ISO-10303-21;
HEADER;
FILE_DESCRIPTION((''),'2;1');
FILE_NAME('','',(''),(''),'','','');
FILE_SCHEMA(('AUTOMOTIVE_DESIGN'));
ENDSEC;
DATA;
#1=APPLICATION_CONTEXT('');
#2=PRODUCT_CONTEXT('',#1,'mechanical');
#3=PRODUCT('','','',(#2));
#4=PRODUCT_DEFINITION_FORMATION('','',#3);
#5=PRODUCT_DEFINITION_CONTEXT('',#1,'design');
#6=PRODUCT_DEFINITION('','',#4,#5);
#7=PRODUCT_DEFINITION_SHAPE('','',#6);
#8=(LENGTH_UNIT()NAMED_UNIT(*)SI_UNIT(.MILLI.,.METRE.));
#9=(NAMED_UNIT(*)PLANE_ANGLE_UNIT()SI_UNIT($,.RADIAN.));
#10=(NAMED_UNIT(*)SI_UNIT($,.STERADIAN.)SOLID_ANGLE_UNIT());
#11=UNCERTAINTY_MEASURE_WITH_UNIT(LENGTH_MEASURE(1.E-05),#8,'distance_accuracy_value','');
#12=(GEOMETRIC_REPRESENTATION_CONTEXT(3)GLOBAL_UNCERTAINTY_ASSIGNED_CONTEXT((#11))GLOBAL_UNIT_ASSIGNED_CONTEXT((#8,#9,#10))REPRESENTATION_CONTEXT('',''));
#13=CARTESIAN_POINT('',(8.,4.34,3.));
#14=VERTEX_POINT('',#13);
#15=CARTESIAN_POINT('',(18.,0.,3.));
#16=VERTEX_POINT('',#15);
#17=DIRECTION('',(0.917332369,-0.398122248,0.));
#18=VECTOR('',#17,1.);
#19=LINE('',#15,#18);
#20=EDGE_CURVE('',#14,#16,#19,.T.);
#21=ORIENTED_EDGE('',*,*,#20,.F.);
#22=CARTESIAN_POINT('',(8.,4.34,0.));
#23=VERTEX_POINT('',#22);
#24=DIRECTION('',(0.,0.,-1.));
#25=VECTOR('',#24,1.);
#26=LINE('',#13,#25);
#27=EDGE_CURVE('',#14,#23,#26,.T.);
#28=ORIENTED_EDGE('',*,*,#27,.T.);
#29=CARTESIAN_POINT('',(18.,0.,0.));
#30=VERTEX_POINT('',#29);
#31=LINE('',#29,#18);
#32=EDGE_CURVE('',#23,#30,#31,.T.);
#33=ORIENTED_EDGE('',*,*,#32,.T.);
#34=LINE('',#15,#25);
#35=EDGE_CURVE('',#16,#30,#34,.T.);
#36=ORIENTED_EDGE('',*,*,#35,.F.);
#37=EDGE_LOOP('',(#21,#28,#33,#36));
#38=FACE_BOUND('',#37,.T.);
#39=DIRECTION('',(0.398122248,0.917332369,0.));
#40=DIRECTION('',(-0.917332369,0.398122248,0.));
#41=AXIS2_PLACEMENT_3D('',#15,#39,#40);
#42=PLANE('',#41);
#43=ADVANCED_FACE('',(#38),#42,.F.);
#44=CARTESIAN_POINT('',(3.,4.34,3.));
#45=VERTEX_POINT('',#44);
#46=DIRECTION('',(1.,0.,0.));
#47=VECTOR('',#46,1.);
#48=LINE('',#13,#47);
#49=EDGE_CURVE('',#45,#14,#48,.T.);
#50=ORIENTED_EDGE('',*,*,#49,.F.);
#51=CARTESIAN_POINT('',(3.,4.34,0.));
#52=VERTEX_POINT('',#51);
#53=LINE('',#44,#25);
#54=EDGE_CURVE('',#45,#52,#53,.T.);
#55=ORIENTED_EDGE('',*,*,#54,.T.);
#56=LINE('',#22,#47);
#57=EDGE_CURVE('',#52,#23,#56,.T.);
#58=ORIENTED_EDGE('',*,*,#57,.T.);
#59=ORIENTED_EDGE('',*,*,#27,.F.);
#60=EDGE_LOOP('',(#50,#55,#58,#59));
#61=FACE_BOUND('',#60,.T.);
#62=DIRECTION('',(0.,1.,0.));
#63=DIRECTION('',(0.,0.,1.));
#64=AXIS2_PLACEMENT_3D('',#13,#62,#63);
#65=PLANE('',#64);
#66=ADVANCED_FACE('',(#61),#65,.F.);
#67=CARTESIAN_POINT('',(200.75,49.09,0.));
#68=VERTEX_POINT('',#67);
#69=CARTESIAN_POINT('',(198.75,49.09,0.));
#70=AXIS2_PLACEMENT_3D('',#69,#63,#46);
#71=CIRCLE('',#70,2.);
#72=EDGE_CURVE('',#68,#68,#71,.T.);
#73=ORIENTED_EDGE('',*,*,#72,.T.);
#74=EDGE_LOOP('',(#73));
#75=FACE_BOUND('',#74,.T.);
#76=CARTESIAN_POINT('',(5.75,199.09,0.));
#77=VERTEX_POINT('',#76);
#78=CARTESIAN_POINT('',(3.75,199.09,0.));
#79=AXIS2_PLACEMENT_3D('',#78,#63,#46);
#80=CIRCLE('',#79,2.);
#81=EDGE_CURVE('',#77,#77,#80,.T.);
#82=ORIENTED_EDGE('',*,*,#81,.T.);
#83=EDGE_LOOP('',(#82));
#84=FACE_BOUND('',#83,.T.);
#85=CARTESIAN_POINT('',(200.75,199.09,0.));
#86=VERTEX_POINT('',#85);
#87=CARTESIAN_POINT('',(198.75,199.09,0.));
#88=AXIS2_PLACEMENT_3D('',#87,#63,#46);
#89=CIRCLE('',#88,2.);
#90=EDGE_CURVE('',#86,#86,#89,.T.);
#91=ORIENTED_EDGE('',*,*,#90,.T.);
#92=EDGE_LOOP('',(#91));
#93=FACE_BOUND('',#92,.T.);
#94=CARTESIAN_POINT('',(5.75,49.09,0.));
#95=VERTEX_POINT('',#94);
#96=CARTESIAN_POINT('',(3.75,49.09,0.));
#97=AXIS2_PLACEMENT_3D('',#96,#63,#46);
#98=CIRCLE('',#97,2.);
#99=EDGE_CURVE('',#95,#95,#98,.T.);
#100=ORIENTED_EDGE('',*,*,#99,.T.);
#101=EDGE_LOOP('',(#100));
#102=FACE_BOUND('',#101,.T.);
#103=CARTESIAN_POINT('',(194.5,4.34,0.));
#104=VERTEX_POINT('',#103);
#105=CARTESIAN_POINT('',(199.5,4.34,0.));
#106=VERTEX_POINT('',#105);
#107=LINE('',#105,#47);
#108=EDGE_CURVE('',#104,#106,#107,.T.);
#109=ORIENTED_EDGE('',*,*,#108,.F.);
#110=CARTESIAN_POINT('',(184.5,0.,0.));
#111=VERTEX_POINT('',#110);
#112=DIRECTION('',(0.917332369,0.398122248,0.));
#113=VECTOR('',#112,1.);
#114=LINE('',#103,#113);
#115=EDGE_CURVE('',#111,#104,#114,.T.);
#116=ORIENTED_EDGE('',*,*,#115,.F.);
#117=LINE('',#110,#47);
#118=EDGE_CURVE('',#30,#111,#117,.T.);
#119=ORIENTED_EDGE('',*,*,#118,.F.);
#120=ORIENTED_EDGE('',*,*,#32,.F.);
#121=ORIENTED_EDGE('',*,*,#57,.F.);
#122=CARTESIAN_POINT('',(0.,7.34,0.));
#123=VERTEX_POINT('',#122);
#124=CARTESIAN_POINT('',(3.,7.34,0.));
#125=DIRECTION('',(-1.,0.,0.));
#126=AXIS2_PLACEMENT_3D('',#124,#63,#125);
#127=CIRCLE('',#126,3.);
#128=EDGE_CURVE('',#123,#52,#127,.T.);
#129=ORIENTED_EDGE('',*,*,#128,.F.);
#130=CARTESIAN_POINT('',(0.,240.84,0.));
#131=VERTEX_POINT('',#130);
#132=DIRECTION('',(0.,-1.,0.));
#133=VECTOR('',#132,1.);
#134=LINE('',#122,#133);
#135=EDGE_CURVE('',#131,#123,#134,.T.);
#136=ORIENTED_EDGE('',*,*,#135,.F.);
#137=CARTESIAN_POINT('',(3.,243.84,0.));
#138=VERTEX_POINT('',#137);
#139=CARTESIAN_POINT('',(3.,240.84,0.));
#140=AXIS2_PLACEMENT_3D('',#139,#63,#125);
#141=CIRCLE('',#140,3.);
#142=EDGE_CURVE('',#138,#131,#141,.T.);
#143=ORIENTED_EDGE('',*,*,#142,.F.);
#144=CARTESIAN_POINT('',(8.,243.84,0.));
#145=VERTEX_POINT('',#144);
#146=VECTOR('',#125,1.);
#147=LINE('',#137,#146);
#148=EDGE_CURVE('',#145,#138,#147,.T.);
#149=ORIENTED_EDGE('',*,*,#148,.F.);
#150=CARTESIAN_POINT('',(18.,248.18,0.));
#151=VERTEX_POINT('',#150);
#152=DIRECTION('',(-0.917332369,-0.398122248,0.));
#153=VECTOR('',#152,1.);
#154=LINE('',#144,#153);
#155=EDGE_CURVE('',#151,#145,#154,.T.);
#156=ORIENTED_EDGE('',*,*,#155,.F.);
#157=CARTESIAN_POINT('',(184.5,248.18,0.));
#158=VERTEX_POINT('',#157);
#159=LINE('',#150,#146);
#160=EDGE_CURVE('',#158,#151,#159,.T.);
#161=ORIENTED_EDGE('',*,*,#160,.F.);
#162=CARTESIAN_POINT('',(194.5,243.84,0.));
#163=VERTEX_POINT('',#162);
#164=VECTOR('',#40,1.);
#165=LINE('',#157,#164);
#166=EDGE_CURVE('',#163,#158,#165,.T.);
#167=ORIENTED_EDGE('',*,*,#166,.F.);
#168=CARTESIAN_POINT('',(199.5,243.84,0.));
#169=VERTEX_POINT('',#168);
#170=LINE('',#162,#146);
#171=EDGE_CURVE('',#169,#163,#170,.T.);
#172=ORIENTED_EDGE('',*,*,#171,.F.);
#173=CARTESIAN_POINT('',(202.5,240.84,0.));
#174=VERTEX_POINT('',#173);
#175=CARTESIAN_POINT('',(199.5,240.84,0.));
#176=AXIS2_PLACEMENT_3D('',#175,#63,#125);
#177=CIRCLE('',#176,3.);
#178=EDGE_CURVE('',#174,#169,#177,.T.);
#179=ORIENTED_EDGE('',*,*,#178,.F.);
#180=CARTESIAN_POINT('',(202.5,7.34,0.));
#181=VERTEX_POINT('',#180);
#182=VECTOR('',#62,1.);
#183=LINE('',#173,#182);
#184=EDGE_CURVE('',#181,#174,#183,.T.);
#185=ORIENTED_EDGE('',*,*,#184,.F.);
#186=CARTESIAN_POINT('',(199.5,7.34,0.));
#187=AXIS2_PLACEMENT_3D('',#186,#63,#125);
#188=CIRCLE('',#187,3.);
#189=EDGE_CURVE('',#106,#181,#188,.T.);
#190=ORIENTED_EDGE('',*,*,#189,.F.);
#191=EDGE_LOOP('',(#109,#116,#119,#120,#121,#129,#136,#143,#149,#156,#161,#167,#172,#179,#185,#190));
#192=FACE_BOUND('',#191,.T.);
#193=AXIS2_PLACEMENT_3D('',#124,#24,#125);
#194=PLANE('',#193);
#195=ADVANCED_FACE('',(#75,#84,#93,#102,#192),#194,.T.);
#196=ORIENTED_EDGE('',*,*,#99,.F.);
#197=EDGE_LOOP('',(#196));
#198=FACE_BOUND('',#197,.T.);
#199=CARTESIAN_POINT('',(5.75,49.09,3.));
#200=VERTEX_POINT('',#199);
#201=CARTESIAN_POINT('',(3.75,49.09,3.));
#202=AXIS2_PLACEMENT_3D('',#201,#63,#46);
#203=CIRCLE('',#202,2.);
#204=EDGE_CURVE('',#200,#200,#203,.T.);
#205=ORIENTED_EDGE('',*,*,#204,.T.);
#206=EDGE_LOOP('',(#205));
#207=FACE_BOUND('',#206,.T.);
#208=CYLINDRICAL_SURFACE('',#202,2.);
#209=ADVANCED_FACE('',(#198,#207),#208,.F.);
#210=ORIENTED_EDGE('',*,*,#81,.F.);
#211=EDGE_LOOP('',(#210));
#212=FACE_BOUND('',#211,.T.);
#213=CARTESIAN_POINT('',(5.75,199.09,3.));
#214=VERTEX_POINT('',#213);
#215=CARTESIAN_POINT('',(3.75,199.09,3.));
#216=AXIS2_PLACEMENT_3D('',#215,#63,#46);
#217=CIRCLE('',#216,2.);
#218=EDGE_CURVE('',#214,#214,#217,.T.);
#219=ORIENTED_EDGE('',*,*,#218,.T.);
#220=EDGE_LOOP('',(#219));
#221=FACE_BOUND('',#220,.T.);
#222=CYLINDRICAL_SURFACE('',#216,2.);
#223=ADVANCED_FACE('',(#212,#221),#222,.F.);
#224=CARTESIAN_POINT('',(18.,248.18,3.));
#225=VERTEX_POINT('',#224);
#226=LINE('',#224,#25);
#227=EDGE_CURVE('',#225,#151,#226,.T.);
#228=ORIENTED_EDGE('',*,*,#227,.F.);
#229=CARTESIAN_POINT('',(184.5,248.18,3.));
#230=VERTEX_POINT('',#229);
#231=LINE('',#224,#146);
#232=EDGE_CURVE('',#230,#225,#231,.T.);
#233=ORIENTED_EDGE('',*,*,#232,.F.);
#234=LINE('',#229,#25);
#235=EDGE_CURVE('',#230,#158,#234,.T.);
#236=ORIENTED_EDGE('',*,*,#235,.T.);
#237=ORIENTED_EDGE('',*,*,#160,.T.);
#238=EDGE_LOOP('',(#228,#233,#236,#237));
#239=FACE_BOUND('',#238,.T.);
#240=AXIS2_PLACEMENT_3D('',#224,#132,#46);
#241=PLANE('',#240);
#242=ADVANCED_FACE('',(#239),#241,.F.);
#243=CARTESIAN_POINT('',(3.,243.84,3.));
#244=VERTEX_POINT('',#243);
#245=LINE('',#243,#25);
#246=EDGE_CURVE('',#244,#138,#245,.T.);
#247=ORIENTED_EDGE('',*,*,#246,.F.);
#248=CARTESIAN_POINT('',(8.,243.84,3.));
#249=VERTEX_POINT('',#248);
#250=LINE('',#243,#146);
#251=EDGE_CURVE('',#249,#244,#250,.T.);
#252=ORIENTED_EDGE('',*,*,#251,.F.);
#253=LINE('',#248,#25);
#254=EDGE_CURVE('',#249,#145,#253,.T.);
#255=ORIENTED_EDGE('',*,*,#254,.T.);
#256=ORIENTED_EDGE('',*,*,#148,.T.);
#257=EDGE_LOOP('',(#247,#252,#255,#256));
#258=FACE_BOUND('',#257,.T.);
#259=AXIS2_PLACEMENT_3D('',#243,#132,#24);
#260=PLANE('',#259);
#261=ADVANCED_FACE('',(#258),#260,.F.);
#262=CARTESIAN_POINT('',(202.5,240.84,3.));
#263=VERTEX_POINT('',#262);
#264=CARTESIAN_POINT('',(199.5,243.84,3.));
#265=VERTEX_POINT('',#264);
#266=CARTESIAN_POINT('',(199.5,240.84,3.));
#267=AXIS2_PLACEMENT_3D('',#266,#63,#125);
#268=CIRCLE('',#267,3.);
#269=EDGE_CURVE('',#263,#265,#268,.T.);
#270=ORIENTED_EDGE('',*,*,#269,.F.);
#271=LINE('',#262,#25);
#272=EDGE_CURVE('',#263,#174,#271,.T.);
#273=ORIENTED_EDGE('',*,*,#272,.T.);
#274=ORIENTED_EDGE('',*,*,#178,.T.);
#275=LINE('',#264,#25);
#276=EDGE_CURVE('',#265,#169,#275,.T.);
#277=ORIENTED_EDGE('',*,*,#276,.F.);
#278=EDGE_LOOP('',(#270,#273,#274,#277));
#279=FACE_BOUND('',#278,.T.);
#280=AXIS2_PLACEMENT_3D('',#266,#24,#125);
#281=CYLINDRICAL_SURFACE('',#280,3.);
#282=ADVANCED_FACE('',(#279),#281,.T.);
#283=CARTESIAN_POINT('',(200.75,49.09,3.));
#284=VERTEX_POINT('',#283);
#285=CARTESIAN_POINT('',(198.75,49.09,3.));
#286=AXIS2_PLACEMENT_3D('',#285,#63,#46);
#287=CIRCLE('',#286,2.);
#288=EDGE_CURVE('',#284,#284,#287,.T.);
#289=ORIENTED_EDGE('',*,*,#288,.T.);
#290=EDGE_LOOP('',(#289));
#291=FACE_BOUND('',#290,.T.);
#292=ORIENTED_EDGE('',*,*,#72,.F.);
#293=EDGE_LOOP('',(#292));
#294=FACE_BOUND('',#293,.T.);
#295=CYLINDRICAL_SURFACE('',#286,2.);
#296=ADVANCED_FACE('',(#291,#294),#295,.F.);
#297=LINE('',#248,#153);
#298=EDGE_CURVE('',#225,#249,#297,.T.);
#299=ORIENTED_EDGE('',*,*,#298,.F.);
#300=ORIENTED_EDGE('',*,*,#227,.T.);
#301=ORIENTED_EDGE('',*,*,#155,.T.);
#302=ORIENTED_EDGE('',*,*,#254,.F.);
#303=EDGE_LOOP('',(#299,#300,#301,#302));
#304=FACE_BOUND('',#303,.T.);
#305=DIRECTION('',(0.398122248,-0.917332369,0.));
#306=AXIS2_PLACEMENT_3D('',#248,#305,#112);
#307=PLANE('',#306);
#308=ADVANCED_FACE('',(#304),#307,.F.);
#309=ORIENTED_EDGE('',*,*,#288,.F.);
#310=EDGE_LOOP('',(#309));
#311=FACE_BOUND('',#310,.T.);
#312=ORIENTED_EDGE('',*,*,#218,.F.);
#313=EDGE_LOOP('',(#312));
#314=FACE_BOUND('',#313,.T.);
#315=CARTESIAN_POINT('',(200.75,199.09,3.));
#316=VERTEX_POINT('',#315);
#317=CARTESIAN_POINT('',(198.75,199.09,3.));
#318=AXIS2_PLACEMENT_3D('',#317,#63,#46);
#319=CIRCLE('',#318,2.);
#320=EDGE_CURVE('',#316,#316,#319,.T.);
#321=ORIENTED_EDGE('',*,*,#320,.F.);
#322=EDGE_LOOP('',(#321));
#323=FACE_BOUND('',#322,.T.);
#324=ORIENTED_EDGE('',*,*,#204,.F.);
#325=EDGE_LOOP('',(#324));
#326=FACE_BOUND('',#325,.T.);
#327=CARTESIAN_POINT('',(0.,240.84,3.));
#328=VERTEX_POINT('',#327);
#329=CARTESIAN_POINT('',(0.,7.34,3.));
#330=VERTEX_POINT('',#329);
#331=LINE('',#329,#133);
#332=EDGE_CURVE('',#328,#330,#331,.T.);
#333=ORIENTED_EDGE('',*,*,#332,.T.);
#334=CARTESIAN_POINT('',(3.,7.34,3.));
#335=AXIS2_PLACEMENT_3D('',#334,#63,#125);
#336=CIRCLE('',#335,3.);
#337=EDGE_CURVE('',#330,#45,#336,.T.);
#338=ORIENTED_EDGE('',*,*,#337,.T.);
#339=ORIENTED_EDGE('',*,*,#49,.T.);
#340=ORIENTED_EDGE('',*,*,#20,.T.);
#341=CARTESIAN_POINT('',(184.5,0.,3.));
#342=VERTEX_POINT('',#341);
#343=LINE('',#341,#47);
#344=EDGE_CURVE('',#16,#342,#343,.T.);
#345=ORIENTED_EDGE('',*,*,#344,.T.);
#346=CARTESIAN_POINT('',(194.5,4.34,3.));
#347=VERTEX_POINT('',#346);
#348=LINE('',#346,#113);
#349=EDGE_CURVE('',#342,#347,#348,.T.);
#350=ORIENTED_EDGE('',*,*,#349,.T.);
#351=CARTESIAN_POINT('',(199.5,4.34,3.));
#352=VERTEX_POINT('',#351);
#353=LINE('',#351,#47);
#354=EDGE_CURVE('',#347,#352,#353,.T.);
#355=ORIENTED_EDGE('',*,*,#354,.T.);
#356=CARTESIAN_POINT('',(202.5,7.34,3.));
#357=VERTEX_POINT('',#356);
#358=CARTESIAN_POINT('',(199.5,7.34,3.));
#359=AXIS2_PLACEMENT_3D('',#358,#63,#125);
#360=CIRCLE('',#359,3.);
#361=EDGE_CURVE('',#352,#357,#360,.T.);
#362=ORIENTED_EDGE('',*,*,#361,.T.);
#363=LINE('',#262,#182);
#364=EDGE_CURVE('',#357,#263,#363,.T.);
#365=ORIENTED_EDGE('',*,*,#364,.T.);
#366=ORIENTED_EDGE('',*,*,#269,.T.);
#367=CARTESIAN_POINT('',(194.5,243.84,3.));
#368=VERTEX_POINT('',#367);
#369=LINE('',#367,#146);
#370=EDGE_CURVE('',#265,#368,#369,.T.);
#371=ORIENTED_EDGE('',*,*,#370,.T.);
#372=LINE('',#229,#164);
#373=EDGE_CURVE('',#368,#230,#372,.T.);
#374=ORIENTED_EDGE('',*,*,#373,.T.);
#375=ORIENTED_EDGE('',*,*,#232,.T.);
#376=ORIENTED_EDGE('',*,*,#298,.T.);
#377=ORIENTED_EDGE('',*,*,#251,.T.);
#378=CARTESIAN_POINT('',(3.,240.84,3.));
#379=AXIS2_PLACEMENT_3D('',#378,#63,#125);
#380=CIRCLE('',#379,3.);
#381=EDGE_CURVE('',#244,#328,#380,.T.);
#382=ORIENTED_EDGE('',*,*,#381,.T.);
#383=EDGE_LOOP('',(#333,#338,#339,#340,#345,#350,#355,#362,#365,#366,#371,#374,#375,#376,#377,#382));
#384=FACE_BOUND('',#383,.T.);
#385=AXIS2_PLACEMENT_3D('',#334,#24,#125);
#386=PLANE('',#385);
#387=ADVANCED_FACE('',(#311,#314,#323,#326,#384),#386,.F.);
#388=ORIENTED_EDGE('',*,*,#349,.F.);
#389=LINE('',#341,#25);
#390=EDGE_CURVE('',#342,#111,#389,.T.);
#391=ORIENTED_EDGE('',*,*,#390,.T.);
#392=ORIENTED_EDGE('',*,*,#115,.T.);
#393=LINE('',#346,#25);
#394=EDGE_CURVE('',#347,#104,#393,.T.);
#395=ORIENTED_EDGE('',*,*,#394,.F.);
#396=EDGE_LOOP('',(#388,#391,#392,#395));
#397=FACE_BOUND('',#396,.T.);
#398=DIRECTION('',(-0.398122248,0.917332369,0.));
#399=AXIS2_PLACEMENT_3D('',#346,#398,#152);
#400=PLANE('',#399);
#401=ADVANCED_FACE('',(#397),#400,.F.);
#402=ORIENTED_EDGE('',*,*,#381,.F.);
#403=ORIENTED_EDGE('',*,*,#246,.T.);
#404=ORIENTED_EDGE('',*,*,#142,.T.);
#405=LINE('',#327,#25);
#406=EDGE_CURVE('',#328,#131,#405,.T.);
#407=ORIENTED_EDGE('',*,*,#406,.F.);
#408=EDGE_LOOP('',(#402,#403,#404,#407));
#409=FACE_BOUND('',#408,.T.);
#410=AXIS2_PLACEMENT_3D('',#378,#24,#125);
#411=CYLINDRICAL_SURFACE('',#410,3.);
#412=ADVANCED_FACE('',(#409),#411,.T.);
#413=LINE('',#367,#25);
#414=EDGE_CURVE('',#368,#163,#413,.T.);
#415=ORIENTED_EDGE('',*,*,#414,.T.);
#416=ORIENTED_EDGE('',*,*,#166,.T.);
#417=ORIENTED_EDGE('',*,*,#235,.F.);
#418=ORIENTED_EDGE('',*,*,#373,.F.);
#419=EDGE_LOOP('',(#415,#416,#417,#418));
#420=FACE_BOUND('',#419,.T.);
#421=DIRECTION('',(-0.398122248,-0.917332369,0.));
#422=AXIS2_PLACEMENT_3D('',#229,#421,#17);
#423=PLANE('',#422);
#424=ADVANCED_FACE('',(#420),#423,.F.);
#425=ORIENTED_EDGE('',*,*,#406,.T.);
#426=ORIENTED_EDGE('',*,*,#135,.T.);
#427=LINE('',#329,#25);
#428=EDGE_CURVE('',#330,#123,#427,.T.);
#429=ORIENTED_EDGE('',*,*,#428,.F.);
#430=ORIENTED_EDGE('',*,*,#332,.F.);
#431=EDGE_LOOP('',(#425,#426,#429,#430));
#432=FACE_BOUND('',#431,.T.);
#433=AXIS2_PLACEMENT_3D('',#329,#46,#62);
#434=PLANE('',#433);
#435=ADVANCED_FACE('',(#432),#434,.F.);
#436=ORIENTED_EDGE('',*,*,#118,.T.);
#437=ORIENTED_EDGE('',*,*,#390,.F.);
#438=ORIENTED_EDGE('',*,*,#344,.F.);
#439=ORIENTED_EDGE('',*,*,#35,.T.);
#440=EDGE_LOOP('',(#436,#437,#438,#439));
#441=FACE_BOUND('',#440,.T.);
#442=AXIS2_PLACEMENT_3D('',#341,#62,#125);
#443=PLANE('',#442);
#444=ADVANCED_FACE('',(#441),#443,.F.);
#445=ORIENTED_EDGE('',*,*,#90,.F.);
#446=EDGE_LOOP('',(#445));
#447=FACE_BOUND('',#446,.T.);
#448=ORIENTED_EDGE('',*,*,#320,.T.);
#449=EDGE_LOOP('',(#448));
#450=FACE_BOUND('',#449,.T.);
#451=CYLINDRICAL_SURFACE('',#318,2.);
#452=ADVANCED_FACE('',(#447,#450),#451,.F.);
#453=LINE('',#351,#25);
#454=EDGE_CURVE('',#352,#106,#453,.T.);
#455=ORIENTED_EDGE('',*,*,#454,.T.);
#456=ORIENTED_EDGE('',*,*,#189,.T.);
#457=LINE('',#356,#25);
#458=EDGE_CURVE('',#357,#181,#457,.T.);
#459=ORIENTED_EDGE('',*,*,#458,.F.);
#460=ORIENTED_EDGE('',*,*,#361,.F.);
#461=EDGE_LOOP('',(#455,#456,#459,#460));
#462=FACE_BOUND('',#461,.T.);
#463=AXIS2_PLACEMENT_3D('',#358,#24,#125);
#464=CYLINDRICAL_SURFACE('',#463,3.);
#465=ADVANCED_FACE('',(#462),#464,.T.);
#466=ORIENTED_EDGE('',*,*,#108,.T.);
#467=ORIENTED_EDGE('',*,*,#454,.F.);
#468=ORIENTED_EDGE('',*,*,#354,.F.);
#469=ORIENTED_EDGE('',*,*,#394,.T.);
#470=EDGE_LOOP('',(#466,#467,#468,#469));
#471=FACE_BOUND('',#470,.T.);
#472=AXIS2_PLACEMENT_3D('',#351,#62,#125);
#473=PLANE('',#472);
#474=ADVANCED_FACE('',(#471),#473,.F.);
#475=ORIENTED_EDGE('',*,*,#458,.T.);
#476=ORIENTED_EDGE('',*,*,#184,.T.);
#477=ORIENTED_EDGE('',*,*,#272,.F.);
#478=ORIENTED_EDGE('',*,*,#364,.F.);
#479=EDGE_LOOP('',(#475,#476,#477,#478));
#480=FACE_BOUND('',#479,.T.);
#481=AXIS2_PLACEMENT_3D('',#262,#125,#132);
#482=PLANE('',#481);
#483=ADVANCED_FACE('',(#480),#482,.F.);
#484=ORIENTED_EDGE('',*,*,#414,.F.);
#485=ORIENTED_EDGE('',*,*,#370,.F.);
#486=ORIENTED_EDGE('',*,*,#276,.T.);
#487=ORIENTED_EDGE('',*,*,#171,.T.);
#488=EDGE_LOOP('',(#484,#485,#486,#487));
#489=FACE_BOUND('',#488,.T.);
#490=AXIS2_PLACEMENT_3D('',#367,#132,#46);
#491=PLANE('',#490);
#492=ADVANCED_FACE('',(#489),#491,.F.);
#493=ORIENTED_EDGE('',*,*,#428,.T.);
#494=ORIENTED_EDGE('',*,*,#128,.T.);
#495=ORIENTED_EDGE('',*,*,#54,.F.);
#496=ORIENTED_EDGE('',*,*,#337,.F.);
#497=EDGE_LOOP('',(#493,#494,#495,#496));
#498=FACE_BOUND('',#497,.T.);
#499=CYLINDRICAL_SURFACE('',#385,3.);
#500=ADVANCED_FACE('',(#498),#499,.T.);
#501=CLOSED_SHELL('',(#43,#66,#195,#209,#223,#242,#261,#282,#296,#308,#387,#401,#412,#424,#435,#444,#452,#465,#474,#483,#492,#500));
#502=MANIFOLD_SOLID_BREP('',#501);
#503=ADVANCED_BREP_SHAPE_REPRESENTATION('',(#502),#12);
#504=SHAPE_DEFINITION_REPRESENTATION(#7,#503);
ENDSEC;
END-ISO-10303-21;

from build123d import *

# Parameters (mm, degrees)
BOSS_EXTRUDE1_DEPTH   = 3
F_4_0MM_DOWEL_HOLE1_D = 4


with BuildPart() as part:
    # Sketch1 → Boss-Extrude1 (new body)
    with BuildSketch(Plane.XY):
        with BuildLine():
            Line((0, 7.34), (0, 240.84))
            ThreePointArc((0, 240.84), (0.878679656, 242.961320344), (3, 243.84))
            Line((3, 243.84), (8, 243.84))
            Line((8, 243.84), (18, 248.18))
            Line((18, 248.18), (184.5, 248.18))
            Line((184.5, 248.18), (194.5, 243.84))
            Line((194.5, 243.84), (199.5, 243.84))
            ThreePointArc((199.5, 243.84), (201.621320344, 242.961320344), (202.5, 240.84))
            Line((202.5, 240.84), (202.5, 7.34))
            ThreePointArc((202.5, 7.34), (201.621320344, 5.218679656), (199.5, 4.34))
            Line((199.5, 4.34), (194.5, 4.34))
            Line((194.5, 4.34), (184.5, 0))
            Line((184.5, 0), (18, 0))
            Line((18, 0), (8, 4.34))
            Line((8, 4.34), (3, 4.34))
            ThreePointArc((3, 4.34), (0.878679656, 5.218679656), (0, 7.34))
        make_face()
    extrude(amount=BOSS_EXTRUDE1_DEPTH)

    # Ø4.0mm Dowel Hole1 (through all)
    with Locations(Plane.XY.offset(3)):
        with Locations((3.75, 199.09), (3.75, 49.09), (198.75, 49.09), (198.75, 199.09)):
            Hole(F_4_0MM_DOWEL_HOLE1_D / 2)


solid = part.part
